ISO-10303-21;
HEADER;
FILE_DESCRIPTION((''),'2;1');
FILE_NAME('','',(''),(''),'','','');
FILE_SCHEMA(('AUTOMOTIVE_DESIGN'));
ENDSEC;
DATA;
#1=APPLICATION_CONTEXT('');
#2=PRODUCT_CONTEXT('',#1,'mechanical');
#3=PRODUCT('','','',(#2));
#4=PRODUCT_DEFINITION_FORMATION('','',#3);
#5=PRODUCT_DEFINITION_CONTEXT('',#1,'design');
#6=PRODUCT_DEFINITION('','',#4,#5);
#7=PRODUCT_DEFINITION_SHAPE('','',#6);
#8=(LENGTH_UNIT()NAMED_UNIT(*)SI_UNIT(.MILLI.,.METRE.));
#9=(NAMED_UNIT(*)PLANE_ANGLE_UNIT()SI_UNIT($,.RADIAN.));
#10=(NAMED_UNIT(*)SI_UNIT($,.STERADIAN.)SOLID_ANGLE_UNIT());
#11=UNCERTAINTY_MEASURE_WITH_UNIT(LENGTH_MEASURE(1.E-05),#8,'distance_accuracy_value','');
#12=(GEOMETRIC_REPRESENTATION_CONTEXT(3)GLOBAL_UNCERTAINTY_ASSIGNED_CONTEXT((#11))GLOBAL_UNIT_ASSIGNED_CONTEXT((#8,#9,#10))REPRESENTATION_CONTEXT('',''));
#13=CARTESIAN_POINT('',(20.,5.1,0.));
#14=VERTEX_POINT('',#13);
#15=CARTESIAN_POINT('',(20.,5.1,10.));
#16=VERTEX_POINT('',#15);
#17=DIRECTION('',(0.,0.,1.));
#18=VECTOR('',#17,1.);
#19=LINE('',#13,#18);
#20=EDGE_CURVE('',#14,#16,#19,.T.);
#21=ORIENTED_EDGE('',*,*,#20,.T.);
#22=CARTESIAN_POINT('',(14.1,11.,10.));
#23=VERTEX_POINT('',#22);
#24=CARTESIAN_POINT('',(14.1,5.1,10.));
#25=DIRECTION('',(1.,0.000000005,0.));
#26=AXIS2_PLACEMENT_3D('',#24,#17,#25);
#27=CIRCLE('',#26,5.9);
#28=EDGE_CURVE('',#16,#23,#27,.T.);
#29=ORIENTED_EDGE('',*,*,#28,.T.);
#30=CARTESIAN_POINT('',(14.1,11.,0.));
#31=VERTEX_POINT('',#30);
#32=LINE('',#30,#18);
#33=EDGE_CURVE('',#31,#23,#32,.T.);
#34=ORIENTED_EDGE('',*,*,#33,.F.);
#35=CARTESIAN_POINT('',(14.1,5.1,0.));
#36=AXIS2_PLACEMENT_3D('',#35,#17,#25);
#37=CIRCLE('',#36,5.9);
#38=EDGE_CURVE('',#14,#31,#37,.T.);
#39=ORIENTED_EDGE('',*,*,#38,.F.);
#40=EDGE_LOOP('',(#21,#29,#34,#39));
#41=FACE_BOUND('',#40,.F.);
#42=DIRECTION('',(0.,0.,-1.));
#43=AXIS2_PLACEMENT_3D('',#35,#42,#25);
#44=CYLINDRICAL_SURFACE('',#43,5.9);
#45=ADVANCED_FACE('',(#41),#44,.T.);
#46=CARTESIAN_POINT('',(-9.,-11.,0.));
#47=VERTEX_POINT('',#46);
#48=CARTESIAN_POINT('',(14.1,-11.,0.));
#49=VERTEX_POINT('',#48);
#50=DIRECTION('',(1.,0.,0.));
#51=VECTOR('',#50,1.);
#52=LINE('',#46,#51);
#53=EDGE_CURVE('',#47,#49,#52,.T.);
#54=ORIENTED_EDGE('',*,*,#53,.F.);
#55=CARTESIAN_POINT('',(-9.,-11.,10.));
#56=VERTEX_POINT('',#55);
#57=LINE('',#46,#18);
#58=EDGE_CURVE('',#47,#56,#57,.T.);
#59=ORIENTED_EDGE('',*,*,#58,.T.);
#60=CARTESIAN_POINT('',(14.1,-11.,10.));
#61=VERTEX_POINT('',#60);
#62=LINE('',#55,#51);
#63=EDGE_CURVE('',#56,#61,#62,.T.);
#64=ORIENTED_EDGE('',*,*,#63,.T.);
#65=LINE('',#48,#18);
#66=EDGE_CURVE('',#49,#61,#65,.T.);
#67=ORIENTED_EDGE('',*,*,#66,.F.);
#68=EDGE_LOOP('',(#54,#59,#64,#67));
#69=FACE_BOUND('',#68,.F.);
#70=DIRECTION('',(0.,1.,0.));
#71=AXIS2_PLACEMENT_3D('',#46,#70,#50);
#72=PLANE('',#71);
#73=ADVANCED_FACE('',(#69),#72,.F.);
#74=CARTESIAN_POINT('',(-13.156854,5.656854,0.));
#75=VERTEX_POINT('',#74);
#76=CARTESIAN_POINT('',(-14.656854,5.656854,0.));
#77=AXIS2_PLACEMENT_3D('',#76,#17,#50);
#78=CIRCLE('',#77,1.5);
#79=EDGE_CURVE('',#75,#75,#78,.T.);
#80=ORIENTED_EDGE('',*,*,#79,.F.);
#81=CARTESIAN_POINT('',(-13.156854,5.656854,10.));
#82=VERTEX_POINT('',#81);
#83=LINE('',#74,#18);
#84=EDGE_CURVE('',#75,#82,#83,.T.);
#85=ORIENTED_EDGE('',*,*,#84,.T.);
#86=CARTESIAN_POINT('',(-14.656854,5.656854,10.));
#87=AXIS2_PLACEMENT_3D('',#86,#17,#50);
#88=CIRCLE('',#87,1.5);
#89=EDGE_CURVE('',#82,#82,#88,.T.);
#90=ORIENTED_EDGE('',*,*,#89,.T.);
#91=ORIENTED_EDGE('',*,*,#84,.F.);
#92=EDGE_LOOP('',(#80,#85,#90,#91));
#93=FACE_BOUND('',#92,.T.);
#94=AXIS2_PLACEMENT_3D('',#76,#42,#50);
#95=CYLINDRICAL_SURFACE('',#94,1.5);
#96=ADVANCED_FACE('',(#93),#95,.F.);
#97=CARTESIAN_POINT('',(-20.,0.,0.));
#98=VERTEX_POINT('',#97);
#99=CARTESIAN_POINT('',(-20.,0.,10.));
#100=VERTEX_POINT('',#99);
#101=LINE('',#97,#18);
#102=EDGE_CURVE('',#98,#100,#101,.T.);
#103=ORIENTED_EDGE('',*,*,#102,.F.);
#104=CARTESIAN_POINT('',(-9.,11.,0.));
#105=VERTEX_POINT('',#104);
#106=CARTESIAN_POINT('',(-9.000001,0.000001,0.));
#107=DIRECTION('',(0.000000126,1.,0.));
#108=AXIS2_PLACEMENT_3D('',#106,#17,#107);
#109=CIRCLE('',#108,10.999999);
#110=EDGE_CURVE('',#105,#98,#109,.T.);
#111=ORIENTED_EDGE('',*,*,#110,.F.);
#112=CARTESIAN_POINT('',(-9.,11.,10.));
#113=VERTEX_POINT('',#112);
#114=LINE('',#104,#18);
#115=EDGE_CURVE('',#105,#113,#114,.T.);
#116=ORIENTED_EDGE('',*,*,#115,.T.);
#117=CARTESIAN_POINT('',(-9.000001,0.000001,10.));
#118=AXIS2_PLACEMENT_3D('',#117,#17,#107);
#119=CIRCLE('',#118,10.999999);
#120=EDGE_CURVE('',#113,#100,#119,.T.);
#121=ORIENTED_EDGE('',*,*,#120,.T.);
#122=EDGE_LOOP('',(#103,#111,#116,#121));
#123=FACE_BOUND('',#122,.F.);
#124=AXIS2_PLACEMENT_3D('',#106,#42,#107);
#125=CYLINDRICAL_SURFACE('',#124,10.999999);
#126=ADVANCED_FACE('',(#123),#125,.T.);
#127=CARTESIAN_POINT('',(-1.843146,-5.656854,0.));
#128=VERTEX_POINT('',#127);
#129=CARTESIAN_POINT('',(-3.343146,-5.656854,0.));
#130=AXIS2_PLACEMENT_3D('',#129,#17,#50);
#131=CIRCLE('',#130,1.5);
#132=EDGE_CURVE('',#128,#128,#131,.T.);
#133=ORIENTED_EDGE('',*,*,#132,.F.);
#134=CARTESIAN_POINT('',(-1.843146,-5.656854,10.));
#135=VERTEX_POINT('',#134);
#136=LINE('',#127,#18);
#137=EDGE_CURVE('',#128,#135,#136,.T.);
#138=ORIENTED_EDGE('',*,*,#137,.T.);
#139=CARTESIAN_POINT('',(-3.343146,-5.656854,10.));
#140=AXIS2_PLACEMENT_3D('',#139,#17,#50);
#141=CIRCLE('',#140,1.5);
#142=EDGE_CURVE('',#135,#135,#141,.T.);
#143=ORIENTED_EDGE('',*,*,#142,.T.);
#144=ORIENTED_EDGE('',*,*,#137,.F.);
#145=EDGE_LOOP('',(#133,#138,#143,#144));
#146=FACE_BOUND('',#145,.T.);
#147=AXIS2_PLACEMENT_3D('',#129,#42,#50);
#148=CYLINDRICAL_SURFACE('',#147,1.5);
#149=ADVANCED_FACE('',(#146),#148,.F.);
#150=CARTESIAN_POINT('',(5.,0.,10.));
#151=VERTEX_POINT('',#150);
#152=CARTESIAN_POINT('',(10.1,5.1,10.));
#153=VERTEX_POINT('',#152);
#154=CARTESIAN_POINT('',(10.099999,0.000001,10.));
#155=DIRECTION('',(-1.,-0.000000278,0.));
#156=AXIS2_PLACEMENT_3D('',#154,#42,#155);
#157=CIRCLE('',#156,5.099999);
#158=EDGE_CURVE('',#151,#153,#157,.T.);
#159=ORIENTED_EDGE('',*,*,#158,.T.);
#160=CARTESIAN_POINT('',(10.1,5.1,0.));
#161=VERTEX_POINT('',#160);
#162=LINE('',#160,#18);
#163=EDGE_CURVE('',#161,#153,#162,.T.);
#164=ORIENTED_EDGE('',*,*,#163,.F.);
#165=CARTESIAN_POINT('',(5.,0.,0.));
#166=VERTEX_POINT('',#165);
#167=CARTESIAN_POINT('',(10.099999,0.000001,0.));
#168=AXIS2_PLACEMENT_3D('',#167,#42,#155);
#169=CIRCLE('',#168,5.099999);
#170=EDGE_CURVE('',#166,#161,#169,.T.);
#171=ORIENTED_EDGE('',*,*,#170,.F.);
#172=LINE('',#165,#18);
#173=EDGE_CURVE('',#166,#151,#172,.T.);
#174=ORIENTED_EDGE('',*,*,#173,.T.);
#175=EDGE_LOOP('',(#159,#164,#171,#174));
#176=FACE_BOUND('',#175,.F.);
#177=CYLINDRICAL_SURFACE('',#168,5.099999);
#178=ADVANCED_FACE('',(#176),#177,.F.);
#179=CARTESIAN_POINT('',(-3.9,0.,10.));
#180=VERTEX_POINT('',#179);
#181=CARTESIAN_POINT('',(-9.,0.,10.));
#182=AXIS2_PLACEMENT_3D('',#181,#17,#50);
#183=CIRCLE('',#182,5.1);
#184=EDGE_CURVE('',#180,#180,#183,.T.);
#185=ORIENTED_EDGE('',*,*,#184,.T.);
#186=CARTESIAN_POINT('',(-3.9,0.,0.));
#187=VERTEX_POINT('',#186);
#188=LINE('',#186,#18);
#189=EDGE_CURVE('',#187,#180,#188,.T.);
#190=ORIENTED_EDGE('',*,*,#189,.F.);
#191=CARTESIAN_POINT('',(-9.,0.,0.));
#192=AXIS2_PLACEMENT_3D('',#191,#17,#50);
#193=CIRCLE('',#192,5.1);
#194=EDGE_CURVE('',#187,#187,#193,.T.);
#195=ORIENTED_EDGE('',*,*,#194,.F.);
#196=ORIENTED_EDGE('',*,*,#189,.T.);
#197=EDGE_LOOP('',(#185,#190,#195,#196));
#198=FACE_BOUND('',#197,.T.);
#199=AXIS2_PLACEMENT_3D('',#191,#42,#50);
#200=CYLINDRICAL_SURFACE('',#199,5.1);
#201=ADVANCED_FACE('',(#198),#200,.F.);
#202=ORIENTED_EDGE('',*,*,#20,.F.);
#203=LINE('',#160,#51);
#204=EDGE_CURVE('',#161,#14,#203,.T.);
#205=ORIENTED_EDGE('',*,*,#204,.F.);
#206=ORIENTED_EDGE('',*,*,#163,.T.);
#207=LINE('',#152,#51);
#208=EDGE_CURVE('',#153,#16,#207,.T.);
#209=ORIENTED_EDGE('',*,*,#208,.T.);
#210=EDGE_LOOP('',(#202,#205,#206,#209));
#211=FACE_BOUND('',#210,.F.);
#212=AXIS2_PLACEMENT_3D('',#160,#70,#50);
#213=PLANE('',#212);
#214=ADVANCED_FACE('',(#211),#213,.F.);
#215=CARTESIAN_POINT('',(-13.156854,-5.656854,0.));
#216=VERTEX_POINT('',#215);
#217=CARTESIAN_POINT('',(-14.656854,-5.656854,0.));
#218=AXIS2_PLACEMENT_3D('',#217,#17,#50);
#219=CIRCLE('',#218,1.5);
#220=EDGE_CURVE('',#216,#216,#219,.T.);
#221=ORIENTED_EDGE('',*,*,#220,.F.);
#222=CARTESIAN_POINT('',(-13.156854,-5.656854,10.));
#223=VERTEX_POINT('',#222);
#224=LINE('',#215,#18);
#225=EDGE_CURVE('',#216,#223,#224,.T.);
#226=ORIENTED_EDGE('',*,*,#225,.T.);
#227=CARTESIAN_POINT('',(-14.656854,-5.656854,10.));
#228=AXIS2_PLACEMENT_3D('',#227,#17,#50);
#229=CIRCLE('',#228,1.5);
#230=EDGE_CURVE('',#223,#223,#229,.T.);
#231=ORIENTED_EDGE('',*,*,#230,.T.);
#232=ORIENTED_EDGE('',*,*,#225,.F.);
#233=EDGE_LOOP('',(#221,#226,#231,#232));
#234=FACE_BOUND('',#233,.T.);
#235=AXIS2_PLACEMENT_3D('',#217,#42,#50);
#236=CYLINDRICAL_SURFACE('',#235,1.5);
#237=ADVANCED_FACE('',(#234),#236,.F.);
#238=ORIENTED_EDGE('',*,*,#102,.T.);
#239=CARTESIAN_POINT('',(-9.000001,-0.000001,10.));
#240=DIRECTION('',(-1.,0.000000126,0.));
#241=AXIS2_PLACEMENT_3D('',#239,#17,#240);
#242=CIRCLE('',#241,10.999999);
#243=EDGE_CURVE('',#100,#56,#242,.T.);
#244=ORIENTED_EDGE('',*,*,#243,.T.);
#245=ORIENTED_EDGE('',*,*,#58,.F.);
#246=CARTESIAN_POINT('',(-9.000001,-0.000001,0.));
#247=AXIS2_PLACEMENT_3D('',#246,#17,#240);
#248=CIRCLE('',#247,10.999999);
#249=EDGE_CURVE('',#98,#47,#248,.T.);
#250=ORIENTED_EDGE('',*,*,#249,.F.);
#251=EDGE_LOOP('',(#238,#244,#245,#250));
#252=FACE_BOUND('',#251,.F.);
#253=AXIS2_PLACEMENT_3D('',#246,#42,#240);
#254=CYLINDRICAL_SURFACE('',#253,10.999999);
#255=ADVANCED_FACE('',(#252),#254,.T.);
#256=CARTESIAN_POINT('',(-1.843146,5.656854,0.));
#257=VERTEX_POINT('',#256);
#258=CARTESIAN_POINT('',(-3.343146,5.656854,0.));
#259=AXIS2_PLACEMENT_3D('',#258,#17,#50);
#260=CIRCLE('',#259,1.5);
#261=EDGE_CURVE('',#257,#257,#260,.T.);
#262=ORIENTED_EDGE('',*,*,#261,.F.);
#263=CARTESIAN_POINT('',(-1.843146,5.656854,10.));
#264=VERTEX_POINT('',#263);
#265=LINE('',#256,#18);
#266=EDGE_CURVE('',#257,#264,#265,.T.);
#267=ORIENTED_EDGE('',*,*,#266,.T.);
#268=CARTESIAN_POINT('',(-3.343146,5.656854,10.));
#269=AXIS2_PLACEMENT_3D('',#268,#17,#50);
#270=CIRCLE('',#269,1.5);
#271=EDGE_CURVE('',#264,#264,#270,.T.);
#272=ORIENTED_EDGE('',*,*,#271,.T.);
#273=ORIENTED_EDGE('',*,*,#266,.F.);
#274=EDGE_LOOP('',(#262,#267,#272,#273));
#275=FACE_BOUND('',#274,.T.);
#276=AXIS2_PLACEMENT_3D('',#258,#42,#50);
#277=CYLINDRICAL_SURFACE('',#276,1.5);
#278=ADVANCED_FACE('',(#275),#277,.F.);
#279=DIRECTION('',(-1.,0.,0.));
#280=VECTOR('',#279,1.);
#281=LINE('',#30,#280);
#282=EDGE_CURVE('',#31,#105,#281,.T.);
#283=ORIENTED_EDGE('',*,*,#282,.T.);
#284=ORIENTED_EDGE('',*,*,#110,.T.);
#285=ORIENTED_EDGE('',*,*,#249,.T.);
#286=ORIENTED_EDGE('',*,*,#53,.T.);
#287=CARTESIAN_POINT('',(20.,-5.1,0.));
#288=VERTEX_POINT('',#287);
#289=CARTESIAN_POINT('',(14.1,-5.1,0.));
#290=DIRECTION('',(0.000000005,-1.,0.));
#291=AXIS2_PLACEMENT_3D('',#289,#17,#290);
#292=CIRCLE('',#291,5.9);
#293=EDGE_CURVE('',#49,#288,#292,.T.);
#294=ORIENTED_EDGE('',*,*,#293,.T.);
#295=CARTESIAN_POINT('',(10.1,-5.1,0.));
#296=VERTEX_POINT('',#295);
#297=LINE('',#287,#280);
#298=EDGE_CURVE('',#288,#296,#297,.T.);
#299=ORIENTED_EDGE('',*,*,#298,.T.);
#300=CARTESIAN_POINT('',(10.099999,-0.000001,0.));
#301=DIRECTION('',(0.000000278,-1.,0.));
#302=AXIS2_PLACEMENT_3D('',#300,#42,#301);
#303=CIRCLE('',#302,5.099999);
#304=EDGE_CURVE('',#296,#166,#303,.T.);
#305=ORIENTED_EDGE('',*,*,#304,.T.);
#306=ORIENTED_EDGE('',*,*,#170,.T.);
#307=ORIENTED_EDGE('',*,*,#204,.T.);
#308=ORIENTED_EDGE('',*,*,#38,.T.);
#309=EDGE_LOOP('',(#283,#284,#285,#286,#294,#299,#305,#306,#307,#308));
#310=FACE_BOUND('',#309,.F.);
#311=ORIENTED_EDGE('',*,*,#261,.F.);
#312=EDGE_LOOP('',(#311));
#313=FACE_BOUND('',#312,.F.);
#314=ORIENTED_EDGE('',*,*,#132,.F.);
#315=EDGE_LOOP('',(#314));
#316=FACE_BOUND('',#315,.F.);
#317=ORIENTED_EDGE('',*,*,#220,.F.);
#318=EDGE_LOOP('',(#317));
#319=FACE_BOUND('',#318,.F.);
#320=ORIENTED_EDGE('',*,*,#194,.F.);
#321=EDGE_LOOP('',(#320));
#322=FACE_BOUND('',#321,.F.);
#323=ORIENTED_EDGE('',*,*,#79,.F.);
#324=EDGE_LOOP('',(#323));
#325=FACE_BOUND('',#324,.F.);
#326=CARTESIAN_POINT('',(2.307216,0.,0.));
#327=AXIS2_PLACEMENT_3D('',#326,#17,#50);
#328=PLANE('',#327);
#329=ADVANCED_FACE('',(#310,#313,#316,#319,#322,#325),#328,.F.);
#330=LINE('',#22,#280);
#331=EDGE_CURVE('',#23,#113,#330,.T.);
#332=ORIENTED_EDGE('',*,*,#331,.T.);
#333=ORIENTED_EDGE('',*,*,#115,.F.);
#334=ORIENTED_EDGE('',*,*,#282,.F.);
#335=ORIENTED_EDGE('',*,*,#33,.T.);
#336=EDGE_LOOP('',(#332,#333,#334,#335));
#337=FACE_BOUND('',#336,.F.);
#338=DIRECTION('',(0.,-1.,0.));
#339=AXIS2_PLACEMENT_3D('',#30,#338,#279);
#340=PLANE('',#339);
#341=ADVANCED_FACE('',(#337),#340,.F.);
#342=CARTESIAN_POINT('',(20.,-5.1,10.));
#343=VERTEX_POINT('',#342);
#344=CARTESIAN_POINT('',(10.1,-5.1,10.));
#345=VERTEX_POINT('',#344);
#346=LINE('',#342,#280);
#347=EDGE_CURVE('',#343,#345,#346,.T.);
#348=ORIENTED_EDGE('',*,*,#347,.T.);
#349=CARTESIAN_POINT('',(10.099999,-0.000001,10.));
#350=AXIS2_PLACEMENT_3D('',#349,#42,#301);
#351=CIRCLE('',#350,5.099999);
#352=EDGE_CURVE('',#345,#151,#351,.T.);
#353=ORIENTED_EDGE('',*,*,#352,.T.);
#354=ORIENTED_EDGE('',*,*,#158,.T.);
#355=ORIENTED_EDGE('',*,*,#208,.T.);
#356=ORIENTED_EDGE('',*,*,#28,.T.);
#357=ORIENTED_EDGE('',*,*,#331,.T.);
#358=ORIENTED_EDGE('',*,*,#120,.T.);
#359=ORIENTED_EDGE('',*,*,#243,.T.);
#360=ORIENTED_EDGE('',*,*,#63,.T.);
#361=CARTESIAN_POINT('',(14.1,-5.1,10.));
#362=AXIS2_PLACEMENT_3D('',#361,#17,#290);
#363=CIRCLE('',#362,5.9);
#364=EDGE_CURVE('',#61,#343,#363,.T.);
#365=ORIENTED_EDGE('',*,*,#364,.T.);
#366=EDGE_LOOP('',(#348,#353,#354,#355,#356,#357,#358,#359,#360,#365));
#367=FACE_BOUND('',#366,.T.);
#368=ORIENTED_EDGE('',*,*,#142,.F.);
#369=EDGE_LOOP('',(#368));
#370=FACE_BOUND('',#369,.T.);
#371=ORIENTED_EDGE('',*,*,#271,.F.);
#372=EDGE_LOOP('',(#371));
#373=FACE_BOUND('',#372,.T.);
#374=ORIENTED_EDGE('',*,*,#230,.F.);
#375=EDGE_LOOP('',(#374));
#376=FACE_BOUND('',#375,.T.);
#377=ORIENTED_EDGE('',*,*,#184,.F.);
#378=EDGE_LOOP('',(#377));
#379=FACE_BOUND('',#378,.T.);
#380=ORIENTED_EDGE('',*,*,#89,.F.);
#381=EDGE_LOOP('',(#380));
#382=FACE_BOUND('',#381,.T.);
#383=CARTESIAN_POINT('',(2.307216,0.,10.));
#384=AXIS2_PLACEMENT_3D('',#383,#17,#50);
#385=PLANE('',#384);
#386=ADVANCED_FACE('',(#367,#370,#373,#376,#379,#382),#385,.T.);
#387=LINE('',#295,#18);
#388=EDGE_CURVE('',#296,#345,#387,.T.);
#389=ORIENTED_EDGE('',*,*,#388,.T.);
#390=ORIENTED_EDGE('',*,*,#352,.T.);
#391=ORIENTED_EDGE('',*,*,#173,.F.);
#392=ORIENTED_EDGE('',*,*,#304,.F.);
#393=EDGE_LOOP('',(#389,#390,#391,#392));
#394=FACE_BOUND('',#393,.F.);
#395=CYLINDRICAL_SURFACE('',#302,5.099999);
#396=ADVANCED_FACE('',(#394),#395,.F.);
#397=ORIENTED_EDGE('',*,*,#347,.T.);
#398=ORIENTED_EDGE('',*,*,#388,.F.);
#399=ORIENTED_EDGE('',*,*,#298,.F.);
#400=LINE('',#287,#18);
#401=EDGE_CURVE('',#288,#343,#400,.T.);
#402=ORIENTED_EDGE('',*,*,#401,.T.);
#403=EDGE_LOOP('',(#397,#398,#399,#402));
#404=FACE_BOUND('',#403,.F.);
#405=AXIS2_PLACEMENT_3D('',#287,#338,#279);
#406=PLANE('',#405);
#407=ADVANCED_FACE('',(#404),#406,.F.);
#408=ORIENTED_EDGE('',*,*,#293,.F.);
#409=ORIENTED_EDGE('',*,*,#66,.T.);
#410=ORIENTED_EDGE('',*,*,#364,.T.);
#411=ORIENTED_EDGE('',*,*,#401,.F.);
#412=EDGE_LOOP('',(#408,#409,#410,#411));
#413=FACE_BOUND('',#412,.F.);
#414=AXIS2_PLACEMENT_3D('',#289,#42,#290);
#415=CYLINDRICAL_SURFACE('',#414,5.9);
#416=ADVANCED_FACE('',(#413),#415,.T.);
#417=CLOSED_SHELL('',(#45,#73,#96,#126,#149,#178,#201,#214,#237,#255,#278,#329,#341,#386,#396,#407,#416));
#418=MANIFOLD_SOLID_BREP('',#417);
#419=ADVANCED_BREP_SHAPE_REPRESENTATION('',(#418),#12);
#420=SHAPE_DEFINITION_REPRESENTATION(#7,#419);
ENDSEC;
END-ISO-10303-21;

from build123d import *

# Parameters (mm, degrees)
F0_R     = 1.5
F0_R_2   = 5.1
F1_DEPTH = 10


with BuildPart() as f1:
    # F0 (on Top) → F1 (new body)
    with BuildSketch(Plane.XY):
        with BuildLine():
            ThreePointArc((20, 5.1), (18.27193, 9.27193), (14.1, 11))
            Line((14.1, 11), (-9, 11))
            ThreePointArc((-9, 11), (-16.778175, 7.778175), (-20, 0))
            ThreePointArc((-20, 0), (-16.778175, -7.778175), (-9, -11))
            Line((-9, -11), (14.1, -11))
            ThreePointArc((14.1, -11), (18.27193, -9.27193), (20, -5.1))
            Line((20, -5.1), (10.1, -5.1))
            ThreePointArc((10.1, -5.1), (6.493755, -3.606245), (5, 0))
            ThreePointArc((5, 0), (6.493755, 3.606245), (10.1, 5.1))
            Line((10.1, 5.1), (20, 5.1))
        make_face()
        with Locations((-14.656854, -5.656854)):
            Circle(F0_R, mode=Mode.SUBTRACT)
        with Locations((-3.343146, -5.656854)):
            Circle(F0_R, mode=Mode.SUBTRACT)
        with Locations((-9, 0)):
            Circle(F0_R_2, mode=Mode.SUBTRACT)
        with Locations((-14.656854, 5.656854)):
            Circle(F0_R, mode=Mode.SUBTRACT)
        with Locations((-3.343146, 5.656854)):
            Circle(F0_R, mode=Mode.SUBTRACT)
    extrude(amount=F1_DEPTH)


solid = f1.part
